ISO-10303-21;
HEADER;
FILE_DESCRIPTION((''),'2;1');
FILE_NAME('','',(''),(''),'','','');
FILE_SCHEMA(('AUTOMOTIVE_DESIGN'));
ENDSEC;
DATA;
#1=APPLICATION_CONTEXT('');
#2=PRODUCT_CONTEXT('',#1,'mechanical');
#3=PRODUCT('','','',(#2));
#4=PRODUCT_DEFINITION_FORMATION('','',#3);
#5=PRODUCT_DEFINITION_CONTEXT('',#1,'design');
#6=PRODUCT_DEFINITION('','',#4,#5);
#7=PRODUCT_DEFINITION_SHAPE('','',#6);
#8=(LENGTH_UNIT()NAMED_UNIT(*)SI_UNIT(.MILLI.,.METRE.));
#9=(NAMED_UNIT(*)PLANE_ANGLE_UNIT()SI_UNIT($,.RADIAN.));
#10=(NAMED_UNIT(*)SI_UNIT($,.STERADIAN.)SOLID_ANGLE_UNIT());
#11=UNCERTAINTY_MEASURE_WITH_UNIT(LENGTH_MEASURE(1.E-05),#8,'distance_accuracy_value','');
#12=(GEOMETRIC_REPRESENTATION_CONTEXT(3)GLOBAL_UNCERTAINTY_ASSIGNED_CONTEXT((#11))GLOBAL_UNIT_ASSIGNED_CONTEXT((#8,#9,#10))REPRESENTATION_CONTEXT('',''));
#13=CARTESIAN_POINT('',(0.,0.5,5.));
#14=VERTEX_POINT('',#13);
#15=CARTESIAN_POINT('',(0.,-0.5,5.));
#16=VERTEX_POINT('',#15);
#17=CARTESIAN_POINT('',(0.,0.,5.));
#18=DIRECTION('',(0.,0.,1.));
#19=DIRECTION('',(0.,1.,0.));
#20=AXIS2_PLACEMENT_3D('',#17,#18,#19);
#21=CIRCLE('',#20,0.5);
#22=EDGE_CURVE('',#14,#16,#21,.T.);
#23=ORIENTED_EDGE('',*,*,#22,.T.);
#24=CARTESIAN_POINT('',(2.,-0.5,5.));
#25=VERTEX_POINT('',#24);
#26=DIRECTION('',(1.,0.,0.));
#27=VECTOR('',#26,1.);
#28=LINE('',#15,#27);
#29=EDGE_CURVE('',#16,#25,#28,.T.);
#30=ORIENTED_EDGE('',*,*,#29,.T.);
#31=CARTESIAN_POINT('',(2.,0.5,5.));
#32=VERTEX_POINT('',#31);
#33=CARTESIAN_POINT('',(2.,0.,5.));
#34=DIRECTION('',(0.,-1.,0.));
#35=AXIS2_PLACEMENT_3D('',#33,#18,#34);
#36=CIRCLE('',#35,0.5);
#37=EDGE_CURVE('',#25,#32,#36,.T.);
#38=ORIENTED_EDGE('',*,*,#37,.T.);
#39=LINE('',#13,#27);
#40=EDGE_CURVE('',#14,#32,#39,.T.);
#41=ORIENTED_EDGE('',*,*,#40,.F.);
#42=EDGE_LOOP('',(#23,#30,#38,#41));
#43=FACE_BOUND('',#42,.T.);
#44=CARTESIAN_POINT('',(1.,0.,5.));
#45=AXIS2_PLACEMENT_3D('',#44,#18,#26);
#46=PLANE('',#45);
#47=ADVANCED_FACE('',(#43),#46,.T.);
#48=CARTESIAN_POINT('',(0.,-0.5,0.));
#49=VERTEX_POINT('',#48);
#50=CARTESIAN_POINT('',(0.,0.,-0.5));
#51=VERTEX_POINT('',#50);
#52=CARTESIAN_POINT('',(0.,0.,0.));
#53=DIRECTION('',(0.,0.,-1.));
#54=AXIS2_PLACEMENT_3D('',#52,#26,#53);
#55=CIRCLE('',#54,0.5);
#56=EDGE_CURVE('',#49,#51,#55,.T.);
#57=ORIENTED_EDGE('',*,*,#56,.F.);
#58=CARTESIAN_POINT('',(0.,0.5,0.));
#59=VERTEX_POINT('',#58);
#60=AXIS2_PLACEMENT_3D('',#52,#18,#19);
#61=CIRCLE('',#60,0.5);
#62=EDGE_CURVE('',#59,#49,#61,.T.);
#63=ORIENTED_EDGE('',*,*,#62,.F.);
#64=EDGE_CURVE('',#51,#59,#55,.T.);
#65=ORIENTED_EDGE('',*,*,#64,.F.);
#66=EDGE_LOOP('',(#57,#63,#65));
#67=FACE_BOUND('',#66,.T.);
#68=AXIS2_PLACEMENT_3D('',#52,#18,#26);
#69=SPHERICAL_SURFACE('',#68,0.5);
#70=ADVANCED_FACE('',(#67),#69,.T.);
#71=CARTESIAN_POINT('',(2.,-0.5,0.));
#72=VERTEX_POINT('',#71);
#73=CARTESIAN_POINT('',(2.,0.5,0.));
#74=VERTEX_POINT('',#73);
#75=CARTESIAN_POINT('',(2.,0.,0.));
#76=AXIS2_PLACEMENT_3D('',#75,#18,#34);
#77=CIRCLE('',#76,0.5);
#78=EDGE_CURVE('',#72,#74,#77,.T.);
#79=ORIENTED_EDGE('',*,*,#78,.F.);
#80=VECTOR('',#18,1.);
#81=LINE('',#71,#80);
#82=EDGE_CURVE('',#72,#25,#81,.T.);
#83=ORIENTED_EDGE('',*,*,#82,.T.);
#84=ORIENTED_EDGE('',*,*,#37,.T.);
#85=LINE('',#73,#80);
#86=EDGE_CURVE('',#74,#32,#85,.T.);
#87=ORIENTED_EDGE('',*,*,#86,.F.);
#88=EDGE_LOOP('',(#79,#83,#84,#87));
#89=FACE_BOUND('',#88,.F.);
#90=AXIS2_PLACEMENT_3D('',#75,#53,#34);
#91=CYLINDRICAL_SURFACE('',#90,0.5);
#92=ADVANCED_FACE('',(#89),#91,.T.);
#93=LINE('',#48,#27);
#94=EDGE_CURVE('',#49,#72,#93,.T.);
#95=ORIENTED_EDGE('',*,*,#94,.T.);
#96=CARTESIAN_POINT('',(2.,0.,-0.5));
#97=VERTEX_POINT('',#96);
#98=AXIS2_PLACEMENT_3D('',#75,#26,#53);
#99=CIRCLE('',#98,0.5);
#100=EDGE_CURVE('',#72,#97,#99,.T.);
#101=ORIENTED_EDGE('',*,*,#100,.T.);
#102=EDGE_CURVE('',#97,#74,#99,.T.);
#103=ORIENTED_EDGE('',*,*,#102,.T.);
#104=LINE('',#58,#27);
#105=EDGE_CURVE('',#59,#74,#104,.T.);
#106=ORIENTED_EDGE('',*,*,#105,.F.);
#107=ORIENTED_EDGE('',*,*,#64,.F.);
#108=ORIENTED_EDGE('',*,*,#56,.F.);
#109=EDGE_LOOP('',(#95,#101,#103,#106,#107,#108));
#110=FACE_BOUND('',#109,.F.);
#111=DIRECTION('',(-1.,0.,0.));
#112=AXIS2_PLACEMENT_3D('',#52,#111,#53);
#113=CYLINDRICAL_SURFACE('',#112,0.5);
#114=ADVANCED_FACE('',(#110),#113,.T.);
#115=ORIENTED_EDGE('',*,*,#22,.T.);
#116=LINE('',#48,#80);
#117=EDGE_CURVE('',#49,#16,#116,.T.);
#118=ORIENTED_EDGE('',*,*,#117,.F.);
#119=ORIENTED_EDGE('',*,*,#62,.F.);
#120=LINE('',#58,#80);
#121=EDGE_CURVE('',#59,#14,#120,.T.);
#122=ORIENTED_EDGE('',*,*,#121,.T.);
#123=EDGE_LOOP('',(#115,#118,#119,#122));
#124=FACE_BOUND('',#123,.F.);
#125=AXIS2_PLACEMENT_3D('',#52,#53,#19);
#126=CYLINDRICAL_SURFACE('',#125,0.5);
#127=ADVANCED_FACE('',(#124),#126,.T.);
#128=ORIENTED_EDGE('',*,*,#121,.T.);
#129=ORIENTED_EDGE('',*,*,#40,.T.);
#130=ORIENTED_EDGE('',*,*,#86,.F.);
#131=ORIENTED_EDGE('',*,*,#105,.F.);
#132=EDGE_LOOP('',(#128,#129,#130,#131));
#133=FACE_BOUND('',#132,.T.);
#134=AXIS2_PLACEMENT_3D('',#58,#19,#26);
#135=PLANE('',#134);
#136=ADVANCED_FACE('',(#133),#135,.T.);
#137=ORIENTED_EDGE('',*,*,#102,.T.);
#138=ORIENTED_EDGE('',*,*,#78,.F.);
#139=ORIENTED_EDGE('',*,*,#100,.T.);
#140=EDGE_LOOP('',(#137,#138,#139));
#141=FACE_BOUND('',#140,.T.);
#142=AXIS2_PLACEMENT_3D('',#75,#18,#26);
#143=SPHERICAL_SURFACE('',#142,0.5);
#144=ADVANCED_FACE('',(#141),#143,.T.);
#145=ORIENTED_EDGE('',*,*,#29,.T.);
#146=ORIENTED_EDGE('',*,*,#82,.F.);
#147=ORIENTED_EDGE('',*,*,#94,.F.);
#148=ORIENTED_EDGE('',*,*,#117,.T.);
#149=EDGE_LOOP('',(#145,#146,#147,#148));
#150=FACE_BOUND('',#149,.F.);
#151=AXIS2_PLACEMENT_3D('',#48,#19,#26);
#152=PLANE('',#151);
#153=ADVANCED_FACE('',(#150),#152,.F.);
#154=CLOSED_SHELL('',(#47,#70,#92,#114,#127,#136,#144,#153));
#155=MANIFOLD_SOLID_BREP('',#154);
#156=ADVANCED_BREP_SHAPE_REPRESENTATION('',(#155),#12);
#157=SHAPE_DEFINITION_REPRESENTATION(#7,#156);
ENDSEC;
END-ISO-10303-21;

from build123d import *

# Parameters (mm, degrees)
CYLINDER_R     = 0.5
CYLINDER_DEPTH = 2
PAD001_DEPTH   = 5


with BuildPart() as sphere:
    # Sphere → Sphere (revolve)
    with BuildSketch(Plane.XZ):
        with BuildLine():
            ThreePointArc((0, -0.5), (0.5, 0), (0, 0.5))
            Line((0, 0.5), (0, -0.5))
        make_face()
    revolve(axis=Axis((0, 0, 0), (0, 0, 1)))


with BuildPart() as sphere001:
    # Sphere001 → Sphere001 (revolve)
    with BuildSketch(Plane(origin=(2, 0, 0), x_dir=(1, 0, 0), z_dir=(0, -1, 0))):
        with BuildLine():
            ThreePointArc((0, -0.5), (0.5, 0), (0, 0.5))
            Line((0, 0.5), (0, -0.5))
        make_face()
    revolve(axis=Axis((2, 0, 0), (0, 0, 1)))


with BuildPart() as body001:
    # Cylinder → Cylinder (new body)
    with BuildSketch(Plane(origin=(0, 0, 0), x_dir=(0, 0, -1), z_dir=(1, 0, 0))):
        Circle(CYLINDER_R)
    extrude(amount=CYLINDER_DEPTH)

    # Fusion: union Sphere, Sphere001
    add(sphere.part)
    add(sphere001.part)

    # Sketch002 → Pad001 (new body)
    with BuildSketch(Plane.XY):
        with BuildLine():
            ThreePointArc((0, 0.5), (-0.5, 0), (0, -0.5))
            Line((0, -0.5), (2, -0.5))
            ThreePointArc((2, -0.5), (2.5, 0), (2, 0.5))
            Line((0, 0.5), (2, 0.5))
        make_face()
    extrude(amount=PAD001_DEPTH)


solid = body001.part
